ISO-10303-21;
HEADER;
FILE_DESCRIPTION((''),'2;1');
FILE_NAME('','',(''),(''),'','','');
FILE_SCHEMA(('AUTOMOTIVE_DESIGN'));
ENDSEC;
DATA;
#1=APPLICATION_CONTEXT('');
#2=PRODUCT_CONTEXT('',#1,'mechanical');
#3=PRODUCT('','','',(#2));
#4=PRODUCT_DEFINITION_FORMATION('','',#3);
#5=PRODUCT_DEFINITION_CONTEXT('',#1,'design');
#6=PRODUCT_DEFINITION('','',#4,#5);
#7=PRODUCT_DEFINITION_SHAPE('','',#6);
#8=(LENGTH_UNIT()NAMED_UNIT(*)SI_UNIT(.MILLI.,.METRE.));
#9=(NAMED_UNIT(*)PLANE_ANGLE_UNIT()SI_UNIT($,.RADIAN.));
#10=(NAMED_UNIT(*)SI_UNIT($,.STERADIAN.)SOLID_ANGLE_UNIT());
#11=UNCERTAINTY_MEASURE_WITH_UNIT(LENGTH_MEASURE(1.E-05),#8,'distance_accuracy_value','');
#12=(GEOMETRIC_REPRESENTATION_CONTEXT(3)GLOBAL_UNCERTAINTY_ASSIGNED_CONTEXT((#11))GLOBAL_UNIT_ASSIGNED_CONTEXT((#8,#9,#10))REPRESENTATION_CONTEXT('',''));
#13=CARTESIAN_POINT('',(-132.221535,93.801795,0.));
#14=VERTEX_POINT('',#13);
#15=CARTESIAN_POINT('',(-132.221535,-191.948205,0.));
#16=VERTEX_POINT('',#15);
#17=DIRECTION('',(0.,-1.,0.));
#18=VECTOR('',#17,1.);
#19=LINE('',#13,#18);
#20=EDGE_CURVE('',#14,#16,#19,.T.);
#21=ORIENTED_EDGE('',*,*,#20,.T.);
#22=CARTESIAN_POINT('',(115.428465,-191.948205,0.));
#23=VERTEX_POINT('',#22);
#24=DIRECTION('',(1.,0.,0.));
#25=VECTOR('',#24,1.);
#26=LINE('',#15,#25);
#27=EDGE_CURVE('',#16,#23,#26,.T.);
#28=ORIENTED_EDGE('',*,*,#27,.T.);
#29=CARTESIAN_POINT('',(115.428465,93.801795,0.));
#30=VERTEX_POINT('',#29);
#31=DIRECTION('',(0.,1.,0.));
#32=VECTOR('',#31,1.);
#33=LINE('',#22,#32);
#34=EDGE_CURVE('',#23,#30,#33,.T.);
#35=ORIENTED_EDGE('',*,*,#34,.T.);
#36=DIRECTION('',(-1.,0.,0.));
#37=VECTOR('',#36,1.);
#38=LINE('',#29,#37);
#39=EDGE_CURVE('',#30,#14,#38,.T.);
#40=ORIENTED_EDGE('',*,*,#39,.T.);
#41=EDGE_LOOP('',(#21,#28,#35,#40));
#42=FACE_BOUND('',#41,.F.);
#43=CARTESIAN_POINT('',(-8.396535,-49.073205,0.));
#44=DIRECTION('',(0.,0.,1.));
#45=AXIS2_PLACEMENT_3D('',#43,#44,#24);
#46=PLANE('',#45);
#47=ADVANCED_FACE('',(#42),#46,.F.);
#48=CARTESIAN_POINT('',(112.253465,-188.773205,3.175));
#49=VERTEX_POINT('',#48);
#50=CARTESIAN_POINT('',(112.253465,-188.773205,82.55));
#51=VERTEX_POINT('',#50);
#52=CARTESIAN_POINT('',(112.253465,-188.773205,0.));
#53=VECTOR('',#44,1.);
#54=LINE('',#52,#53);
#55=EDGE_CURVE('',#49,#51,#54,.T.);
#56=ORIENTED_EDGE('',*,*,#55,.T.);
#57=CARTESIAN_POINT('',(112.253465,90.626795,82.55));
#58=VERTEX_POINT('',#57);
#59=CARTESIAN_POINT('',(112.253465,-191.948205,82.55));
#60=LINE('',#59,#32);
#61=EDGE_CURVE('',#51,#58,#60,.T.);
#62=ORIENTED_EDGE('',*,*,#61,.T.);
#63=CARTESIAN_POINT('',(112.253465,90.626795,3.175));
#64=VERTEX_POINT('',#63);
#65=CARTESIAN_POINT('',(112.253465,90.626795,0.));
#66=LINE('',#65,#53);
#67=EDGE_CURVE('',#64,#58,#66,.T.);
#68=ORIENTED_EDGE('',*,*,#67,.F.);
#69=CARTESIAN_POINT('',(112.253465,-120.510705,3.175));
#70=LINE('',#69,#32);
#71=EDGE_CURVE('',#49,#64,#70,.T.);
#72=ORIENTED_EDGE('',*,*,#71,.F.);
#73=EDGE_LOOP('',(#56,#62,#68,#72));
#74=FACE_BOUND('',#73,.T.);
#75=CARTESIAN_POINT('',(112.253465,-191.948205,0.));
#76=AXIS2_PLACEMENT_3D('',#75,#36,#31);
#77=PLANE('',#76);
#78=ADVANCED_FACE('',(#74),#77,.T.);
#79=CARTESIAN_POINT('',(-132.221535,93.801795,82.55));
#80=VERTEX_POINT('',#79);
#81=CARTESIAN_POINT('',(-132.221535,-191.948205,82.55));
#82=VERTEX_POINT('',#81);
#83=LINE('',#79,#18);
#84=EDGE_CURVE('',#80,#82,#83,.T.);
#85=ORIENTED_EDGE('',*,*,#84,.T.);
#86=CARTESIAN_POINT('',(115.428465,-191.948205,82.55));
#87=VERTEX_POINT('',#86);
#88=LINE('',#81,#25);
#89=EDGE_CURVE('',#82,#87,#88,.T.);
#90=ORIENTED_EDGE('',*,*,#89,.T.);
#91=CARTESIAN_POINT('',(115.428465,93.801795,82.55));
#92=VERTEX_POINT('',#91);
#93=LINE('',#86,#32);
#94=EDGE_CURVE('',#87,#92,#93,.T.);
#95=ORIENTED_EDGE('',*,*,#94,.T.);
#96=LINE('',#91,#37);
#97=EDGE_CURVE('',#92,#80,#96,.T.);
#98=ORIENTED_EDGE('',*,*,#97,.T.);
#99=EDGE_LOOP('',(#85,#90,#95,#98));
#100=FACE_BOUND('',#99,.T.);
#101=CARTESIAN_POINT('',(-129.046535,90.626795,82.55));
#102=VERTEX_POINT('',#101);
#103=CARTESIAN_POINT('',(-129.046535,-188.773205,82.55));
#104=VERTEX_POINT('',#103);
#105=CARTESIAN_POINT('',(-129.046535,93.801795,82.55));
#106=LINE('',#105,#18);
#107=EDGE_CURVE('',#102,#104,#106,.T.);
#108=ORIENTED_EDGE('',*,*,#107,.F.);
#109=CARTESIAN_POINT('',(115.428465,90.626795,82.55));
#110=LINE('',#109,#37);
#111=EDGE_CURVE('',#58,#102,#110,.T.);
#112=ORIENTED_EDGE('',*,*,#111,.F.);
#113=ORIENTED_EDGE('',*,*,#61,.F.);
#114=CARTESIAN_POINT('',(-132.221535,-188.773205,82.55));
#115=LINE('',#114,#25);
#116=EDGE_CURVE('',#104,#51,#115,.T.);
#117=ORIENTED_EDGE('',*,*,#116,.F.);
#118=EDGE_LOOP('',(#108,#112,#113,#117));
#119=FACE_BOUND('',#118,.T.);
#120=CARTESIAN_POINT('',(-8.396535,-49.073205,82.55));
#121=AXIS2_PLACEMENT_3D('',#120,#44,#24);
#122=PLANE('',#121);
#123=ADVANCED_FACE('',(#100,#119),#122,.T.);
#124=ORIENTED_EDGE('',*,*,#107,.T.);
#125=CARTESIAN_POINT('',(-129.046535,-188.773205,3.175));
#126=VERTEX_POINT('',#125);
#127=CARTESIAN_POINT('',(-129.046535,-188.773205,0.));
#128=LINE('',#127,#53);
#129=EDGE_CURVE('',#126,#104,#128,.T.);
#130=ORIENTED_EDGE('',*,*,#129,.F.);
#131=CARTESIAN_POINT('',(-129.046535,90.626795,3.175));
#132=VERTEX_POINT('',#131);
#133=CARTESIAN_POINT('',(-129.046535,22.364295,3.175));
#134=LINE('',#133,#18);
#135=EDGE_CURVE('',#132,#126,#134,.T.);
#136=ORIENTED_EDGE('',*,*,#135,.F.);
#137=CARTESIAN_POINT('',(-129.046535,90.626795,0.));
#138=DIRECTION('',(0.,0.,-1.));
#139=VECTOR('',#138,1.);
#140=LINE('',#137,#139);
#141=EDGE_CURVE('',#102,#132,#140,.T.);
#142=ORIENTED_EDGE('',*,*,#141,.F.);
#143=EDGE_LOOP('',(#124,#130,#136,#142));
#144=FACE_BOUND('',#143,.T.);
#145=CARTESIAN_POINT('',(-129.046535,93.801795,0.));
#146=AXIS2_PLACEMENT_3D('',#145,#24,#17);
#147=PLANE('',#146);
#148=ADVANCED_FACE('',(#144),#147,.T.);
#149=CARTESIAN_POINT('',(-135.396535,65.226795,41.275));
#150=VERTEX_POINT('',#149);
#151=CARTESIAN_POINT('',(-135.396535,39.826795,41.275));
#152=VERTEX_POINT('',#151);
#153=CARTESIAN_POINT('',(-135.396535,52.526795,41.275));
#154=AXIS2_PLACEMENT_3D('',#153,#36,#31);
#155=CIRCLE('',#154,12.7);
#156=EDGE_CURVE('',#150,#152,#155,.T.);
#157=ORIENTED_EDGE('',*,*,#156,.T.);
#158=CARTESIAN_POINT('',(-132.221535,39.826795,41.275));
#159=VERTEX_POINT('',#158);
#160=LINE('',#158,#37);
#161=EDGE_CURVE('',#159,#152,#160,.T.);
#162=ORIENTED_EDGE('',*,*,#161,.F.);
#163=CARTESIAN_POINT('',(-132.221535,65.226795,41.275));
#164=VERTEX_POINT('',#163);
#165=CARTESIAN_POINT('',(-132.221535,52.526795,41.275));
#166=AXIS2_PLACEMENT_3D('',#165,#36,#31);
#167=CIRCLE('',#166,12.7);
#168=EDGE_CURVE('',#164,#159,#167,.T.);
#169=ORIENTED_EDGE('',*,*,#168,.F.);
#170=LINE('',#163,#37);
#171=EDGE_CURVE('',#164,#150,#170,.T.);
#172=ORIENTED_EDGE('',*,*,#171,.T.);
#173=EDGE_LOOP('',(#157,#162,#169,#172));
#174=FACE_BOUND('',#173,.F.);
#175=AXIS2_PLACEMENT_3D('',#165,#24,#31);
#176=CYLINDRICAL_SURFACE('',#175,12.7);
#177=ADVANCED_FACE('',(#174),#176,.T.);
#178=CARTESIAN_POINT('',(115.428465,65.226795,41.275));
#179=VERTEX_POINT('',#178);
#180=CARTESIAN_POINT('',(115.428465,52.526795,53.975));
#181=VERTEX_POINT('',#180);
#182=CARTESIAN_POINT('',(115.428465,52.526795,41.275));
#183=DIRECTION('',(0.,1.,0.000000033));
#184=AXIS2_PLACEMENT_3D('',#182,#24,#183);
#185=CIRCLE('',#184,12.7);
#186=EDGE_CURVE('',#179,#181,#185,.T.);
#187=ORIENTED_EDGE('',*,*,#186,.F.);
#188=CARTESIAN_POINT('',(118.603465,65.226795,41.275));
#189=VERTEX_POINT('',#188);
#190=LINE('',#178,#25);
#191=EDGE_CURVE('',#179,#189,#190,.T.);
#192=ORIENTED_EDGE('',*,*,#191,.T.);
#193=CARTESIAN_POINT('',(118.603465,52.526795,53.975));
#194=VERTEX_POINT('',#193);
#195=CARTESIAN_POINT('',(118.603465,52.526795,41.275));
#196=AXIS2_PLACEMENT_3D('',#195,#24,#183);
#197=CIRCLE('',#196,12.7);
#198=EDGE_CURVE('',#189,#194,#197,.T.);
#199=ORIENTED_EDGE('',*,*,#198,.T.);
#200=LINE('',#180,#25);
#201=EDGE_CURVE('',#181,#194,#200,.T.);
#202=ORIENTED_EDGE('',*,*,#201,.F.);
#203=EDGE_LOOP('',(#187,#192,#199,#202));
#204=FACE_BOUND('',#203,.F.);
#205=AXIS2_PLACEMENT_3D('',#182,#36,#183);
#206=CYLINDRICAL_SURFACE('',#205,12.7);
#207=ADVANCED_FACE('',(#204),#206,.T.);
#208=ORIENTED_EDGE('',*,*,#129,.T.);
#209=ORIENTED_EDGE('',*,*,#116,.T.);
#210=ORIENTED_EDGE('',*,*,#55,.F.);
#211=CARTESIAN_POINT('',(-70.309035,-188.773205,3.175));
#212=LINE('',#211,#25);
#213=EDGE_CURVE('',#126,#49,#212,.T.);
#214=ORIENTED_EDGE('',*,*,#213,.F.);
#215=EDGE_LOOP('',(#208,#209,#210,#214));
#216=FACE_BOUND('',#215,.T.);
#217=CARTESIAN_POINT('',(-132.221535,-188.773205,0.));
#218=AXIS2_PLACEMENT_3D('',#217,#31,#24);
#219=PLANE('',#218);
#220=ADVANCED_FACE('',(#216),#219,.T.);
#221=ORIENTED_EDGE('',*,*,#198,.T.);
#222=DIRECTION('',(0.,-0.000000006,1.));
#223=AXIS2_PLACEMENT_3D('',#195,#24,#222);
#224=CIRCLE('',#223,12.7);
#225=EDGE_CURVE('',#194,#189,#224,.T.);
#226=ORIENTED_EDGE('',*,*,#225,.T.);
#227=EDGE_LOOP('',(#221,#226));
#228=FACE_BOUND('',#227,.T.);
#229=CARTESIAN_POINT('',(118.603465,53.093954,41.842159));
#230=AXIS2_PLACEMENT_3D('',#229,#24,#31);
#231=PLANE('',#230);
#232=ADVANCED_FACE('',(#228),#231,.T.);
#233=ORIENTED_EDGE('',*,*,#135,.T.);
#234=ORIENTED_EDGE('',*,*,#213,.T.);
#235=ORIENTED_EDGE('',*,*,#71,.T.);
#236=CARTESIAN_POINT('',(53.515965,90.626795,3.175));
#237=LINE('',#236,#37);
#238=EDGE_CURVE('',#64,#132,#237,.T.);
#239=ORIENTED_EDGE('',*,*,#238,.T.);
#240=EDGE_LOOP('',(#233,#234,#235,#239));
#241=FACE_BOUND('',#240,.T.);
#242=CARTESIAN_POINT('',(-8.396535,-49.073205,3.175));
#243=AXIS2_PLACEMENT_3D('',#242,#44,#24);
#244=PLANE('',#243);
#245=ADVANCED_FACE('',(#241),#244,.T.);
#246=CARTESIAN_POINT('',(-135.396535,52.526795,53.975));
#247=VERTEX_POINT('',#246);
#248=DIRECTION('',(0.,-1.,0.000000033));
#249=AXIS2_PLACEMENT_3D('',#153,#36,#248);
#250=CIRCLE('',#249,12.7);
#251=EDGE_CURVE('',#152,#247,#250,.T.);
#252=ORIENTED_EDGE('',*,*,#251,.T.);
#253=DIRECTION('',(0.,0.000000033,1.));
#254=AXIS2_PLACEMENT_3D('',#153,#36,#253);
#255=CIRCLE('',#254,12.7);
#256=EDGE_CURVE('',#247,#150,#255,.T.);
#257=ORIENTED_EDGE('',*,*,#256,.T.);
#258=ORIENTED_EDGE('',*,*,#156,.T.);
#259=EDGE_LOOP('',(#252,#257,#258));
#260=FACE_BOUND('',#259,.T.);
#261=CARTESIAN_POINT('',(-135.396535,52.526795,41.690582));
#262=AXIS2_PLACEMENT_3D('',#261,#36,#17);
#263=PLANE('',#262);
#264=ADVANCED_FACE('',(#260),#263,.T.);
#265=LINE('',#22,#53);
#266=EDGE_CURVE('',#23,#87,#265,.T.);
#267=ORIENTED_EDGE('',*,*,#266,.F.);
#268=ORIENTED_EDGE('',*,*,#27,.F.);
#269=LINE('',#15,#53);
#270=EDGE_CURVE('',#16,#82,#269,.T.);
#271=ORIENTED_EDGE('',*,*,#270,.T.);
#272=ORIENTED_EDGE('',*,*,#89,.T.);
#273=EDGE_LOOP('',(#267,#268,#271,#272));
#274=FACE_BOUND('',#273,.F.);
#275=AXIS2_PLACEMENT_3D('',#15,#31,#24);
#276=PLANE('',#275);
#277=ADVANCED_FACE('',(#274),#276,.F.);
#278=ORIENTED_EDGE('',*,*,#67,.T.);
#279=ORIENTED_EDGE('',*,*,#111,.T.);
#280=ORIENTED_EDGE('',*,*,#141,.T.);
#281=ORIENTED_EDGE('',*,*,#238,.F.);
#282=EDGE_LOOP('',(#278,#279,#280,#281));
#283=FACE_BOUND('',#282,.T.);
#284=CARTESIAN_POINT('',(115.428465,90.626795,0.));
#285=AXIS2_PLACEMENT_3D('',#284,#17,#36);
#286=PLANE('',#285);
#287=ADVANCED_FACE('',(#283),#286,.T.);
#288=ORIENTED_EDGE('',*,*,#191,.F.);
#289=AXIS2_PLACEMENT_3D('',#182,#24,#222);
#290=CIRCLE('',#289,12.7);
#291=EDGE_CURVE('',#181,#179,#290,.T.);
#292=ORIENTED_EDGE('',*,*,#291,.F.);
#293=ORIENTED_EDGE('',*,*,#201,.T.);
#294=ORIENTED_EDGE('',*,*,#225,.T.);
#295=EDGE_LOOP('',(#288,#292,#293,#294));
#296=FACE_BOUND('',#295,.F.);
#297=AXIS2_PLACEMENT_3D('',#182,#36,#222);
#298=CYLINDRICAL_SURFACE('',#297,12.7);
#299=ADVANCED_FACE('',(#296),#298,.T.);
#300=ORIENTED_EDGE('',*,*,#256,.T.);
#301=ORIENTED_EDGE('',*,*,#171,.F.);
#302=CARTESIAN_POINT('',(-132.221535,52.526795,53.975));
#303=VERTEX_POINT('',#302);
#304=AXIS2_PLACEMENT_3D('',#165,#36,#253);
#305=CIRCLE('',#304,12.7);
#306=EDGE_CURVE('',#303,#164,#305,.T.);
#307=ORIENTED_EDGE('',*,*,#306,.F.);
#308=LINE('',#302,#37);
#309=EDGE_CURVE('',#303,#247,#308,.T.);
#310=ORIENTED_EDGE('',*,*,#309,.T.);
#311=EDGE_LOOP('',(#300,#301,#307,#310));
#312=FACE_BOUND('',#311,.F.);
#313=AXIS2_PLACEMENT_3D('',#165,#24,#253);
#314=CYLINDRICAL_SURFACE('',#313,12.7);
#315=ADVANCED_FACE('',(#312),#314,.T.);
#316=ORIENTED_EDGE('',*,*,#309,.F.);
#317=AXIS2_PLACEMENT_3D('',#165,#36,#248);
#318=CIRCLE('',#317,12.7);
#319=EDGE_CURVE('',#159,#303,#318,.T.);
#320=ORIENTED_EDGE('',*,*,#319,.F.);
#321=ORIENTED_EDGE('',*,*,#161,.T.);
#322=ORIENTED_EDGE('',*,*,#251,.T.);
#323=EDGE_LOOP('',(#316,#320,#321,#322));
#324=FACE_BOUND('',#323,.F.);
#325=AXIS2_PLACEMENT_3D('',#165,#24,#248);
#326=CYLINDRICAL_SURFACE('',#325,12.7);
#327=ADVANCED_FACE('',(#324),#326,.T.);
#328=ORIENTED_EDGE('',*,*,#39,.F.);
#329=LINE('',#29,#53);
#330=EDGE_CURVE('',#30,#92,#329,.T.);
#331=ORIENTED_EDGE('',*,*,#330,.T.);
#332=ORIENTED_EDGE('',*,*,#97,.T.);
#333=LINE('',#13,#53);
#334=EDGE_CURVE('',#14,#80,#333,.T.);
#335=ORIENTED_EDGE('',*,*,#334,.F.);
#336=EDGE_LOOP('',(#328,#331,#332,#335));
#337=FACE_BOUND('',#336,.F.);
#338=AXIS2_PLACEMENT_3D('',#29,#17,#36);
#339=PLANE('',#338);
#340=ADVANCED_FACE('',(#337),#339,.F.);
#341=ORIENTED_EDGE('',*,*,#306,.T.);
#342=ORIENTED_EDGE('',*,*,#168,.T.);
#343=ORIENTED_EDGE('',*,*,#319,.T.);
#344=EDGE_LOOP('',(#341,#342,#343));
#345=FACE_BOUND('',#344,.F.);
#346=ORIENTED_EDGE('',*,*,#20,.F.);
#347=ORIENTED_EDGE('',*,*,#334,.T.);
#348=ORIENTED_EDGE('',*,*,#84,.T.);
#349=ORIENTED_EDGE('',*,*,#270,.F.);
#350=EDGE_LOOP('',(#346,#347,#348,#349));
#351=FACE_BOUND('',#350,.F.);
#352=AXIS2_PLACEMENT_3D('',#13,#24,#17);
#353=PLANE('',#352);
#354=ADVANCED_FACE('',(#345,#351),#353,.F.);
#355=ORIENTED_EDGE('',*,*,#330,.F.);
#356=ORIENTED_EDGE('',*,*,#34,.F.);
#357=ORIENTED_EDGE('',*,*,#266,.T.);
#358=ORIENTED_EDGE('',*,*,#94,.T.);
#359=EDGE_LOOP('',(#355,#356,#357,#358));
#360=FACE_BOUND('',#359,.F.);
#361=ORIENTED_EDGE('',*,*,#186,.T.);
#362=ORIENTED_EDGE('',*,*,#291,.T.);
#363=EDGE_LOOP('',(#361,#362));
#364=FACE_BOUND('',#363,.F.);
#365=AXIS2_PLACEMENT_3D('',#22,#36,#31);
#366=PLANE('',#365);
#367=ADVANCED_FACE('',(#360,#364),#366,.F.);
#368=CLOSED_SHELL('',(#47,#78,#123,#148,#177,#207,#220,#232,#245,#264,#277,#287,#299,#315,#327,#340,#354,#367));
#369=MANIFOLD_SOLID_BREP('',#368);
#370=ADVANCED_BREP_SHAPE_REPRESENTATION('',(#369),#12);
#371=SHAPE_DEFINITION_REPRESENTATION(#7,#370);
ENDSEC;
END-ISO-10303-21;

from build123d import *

# Parameters (mm, degrees)
F1_DEPTH = 82.55
F2_T     = -3.175
F5_DEPTH = 3.175
F6_DEPTH = 3.175


with BuildPart() as f1:
    # F0 (on Top) → F1 (new body)
    with BuildSketch(Plane.XY):
        Polygon((-132.221535, 93.801795), (-132.221535, 90.626795), (-132.221535, -188.773205), (-132.221535, -191.948205), (115.428465, -191.948205), (115.428465, -188.773205), (115.428465, 93.801795), (112.253465, 93.801795), align=None)
    extrude(amount=F1_DEPTH)

    # F2
    f2_openings = [f1.faces().sort_by_distance(p)[0] for p in [
        (-8.396535, -49.073205, 82.55),
    ]]
    offset(amount=F2_T, openings=f2_openings)

    # F3 (on face) → F5 (join)
    with BuildSketch(Plane.YZ.offset(115.428465)):
        with BuildLine():
            ThreePointArc((52.526795, 53.975), (43.546539, 32.294744), (65.226795, 41.275))
            ThreePointArc((65.226795, 41.275), (61.507051, 50.255256), (52.526795, 53.975))
        make_face()
    extrude(amount=F5_DEPTH)

    # F4 (on face) → F6 (join)
    with BuildSketch(Plane(origin=(-132.221535, 0, 0), x_dir=(0, -1, 0), z_dir=(-1, 0, 0))):
        with BuildLine():
            ThreePointArc((-52.526795, 53.975), (-61.507051, 50.255256), (-65.226795, 41.275))
            ThreePointArc((-65.226795, 41.275), (-52.526795, 28.575), (-39.826795, 41.275))
            ThreePointArc((-39.826795, 41.275), (-43.546539, 50.255256), (-52.526795, 53.975))
        make_face()
    extrude(amount=F6_DEPTH)


solid = f1.part
